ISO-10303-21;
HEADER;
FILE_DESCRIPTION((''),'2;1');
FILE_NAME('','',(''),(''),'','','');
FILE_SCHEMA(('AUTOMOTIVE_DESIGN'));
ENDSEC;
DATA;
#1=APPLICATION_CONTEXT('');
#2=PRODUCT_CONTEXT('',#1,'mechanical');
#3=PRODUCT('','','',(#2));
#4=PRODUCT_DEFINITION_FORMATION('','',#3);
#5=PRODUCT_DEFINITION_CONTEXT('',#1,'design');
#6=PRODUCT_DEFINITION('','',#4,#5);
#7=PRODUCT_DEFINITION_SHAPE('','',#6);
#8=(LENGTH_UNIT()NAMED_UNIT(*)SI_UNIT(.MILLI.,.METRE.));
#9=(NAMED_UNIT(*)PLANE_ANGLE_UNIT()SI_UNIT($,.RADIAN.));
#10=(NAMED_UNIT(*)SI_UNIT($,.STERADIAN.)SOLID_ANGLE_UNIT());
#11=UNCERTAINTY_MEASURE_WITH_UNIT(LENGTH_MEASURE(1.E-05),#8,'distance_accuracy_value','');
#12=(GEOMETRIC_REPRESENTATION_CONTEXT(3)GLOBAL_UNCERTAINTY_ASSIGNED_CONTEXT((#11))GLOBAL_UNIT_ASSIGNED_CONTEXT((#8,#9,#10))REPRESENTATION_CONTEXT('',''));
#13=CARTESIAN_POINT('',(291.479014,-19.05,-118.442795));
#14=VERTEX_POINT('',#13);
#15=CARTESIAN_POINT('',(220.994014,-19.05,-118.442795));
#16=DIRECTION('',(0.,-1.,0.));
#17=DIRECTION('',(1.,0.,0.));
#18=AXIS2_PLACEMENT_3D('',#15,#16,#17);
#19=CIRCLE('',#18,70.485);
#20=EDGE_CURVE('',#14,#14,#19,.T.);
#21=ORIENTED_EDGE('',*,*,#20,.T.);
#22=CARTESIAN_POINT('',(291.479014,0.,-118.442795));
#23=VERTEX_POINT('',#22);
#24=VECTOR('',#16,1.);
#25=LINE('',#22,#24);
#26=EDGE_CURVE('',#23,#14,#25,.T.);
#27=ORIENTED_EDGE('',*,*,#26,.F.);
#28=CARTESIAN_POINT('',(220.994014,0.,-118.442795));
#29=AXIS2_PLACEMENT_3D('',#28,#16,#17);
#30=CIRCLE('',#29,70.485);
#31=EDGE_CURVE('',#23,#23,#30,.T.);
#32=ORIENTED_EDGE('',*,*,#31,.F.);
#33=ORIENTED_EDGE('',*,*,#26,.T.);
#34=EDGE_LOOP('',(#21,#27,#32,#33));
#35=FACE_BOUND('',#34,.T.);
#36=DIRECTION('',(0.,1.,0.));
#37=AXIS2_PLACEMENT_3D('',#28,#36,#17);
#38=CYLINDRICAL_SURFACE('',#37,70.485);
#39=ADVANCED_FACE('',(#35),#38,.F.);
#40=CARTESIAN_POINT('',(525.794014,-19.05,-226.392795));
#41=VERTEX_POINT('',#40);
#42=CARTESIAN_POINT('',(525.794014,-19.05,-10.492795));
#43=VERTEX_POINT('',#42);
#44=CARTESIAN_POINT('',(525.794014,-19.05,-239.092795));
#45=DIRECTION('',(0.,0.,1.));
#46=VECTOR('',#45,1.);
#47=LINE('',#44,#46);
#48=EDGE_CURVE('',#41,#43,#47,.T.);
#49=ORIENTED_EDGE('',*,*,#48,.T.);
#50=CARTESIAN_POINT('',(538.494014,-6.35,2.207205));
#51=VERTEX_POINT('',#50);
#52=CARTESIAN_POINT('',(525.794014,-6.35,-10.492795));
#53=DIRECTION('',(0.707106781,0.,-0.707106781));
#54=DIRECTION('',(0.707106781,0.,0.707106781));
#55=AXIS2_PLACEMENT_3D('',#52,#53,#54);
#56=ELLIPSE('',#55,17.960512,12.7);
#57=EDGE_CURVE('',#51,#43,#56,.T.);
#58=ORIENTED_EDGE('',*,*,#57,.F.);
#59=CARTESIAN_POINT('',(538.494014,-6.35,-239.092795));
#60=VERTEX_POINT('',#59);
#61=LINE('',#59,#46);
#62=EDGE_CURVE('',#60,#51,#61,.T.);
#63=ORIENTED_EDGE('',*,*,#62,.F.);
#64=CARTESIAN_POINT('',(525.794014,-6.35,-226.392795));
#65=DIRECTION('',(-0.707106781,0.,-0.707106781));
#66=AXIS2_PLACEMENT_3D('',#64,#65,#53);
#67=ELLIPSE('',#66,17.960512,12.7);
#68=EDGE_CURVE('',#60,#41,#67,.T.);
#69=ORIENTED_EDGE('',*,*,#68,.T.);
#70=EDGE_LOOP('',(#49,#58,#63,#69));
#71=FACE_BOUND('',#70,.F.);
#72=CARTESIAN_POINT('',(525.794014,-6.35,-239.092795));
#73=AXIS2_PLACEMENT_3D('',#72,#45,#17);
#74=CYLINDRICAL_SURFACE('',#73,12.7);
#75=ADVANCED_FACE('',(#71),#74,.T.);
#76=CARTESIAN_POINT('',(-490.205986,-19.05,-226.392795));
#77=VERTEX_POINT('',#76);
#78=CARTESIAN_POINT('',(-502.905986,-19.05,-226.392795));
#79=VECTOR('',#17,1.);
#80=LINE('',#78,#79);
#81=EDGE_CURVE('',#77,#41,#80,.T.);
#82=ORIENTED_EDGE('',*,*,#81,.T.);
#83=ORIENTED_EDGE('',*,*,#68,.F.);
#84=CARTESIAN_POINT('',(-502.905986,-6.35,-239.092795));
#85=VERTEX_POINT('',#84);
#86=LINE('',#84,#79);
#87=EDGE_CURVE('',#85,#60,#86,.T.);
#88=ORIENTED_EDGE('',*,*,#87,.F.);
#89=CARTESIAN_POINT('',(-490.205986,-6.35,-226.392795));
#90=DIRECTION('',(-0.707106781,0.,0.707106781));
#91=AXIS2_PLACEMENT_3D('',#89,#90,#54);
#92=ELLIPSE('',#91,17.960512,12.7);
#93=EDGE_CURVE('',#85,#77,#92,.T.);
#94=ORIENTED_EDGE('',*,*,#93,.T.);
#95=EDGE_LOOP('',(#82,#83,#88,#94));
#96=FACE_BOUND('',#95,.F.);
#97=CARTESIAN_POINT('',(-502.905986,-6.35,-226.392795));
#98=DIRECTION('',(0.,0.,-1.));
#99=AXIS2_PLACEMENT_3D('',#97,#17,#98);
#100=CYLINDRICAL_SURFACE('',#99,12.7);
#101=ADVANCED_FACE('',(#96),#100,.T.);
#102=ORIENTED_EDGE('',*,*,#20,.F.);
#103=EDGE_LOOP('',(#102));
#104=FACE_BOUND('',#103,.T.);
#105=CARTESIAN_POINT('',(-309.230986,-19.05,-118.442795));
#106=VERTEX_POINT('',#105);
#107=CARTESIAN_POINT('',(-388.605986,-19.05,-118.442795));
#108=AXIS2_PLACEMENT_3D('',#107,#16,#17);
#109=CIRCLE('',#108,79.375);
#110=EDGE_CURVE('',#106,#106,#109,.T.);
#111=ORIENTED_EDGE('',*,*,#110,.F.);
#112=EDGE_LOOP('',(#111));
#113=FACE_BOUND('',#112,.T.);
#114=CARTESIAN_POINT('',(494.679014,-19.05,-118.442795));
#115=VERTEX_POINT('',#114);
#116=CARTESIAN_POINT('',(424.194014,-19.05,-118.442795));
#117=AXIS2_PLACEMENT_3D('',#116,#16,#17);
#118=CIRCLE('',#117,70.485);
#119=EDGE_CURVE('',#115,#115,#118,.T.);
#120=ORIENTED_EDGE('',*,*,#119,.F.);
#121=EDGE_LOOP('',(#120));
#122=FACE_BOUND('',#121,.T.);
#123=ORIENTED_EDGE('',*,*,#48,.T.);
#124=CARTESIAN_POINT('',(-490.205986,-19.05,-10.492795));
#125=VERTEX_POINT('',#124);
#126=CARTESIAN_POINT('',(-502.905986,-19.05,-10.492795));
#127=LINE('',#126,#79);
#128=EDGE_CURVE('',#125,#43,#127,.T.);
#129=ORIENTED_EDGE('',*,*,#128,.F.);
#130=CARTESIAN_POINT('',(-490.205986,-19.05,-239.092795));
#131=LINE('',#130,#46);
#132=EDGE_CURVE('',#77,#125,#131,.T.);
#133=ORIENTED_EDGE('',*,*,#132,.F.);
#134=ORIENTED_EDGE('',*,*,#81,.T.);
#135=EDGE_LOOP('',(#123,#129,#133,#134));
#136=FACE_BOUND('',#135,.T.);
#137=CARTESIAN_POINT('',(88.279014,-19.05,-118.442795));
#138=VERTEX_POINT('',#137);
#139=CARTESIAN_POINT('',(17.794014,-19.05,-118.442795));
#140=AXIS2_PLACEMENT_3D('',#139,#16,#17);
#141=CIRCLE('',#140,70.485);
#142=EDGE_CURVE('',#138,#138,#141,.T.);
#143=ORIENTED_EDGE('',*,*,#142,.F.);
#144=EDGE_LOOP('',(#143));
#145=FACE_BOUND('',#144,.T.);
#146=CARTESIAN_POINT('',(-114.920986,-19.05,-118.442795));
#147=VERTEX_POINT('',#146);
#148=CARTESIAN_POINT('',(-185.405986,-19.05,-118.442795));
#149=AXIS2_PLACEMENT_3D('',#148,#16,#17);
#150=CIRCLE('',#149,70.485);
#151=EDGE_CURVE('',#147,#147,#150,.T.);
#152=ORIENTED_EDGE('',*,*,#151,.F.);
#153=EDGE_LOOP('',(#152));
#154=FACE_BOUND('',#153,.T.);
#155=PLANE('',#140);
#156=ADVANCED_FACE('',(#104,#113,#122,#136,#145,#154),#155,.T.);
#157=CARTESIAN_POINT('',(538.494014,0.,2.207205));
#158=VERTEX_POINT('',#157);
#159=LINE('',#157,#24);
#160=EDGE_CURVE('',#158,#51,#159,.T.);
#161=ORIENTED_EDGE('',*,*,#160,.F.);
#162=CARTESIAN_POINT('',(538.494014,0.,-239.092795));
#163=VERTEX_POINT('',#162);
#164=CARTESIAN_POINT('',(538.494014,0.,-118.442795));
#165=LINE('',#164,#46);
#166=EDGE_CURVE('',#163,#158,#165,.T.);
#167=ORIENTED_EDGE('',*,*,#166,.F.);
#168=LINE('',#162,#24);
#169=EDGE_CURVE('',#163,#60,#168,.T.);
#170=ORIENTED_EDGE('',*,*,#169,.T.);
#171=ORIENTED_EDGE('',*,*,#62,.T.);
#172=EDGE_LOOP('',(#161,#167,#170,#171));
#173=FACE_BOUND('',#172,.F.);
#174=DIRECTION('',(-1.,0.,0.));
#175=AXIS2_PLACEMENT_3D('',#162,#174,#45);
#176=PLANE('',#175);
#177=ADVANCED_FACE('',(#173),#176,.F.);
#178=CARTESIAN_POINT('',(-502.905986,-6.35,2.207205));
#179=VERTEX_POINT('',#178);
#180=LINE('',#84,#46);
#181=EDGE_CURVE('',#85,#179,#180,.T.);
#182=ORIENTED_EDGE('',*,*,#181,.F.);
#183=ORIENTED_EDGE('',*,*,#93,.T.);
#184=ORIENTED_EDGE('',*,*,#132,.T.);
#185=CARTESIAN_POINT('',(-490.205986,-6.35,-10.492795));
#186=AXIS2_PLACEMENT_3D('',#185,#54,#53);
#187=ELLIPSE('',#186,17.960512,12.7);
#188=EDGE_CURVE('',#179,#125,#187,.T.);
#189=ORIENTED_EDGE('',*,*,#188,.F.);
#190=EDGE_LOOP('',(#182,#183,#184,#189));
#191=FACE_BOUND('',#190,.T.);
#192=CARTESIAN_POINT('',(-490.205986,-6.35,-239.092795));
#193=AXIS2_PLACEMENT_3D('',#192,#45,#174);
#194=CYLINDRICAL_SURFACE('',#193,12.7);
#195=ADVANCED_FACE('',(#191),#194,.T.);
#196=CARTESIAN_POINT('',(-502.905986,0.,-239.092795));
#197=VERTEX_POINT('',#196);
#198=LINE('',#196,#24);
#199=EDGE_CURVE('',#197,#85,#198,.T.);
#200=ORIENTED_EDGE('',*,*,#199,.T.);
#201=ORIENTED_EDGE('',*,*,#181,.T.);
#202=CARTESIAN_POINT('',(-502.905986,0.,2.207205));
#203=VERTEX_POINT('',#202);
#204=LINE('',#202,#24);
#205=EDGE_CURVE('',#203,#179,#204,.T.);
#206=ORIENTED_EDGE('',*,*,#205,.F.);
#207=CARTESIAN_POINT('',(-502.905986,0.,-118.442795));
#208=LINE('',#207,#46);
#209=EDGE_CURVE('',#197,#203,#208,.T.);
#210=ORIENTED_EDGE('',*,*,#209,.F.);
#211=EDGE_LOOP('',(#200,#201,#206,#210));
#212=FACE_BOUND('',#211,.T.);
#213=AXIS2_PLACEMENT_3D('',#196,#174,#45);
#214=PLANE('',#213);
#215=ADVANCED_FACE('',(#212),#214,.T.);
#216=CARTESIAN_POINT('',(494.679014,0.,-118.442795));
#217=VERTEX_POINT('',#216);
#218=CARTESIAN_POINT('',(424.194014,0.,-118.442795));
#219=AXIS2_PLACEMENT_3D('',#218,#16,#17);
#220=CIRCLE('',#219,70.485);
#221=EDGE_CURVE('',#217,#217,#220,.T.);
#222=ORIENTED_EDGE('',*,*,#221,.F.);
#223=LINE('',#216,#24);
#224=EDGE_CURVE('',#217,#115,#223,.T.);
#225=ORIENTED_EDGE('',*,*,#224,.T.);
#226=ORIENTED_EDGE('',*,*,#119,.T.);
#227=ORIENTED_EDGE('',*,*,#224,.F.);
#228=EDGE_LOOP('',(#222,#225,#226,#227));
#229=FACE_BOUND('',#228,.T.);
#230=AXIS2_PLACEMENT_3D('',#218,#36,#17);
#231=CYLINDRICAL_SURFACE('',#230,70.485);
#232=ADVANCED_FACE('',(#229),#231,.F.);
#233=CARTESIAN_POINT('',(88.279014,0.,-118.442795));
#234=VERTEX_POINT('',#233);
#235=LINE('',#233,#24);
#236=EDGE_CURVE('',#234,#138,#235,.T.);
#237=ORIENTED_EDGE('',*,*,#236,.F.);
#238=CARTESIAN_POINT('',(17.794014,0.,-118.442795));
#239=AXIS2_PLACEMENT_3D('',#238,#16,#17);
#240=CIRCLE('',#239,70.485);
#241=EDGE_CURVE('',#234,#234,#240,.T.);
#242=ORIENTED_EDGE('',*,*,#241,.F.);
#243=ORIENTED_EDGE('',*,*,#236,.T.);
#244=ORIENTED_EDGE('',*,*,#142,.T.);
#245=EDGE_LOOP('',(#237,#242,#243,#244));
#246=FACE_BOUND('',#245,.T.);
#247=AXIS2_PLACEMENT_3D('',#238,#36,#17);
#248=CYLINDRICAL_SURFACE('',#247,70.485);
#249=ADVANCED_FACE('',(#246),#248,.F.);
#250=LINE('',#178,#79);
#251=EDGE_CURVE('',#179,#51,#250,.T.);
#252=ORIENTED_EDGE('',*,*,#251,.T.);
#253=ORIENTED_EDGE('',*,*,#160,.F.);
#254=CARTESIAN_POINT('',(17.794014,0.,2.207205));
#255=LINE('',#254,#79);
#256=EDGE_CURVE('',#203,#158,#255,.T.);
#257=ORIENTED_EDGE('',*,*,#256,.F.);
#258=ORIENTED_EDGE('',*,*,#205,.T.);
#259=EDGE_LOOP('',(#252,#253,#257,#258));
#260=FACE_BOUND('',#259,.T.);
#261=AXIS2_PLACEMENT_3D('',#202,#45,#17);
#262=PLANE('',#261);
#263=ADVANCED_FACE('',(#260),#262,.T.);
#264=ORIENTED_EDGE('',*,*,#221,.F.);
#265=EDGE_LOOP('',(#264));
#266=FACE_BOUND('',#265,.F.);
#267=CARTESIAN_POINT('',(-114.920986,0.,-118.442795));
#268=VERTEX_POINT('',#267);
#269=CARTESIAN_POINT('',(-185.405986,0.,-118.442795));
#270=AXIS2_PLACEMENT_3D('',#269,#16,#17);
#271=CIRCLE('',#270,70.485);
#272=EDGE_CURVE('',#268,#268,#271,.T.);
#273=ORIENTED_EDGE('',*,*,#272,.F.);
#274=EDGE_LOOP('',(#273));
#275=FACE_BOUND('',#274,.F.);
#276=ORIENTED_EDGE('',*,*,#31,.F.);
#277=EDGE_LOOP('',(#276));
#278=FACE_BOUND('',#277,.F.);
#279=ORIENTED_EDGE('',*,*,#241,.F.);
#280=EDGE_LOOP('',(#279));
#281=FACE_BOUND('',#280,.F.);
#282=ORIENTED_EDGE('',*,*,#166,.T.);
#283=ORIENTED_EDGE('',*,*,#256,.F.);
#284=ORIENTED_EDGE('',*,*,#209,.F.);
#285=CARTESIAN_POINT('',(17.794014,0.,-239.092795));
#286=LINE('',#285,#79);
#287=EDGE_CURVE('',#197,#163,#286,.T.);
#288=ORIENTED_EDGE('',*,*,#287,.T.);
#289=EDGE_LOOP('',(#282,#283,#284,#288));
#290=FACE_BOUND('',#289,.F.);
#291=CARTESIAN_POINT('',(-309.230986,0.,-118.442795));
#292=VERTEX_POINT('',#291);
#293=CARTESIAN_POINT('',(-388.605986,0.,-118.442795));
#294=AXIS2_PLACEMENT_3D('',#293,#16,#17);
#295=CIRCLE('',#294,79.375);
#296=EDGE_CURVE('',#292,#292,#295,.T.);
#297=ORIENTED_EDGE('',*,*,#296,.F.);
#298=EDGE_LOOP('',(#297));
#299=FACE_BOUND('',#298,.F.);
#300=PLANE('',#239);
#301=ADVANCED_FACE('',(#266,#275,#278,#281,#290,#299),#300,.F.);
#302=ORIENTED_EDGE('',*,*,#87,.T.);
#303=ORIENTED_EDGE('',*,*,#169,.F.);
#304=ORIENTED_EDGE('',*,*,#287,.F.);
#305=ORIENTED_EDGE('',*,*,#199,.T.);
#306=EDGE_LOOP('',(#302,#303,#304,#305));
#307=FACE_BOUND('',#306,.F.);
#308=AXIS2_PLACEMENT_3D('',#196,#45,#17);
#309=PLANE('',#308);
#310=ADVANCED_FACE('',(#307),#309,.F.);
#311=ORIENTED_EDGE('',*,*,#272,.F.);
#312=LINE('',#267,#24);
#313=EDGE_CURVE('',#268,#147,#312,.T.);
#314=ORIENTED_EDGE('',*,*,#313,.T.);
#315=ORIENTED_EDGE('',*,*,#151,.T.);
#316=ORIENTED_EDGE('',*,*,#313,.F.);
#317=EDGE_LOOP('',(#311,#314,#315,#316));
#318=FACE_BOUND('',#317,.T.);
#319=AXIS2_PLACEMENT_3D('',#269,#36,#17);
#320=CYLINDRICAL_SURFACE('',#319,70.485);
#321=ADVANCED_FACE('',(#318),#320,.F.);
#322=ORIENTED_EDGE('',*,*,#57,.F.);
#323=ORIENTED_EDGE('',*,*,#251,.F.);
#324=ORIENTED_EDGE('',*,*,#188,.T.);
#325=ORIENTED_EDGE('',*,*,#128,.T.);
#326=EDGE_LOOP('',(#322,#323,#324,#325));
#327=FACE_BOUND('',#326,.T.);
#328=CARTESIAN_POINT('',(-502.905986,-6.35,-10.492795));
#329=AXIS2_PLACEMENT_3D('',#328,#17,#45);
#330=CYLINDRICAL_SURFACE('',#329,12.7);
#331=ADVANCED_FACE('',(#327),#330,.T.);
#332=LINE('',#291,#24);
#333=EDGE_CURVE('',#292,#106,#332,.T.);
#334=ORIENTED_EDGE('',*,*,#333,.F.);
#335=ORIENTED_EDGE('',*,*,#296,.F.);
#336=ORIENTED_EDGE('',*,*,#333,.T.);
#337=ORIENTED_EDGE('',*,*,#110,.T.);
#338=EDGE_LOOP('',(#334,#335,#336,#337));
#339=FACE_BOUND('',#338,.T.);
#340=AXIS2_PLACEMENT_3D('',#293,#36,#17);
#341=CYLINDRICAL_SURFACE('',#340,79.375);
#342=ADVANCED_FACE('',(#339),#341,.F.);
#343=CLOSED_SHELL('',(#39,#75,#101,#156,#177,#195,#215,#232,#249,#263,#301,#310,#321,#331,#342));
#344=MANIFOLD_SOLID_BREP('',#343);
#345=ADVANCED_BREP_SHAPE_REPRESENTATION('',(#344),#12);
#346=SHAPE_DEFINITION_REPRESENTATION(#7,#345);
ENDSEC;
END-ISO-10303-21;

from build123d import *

# Parameters (mm, degrees)
F0_W     = 1041.4
F0_H     = 241.3
F0_R     = 79.375
F0_R_2   = 70.485
F1_DEPTH = 19.05
F2_R     = 12.7


with BuildPart() as f1:
    # F0 (on Front) → F1 (new body)
    with BuildSketch(Plane.XZ):
        with Locations((17.794014, -118.442795)):
            Rectangle(F0_W, F0_H)
        with Locations((-388.605986, -118.442795)):
            Circle(F0_R, mode=Mode.SUBTRACT)
        with Locations((-185.405986, -118.442795)):
            Circle(F0_R_2, mode=Mode.SUBTRACT)
        with Locations((17.794014, -118.442795)):
            Circle(F0_R_2, mode=Mode.SUBTRACT)
        with Locations((220.994014, -118.442795)):
            Circle(F0_R_2, mode=Mode.SUBTRACT)
        with Locations((424.194014, -118.442795)):
            Circle(F0_R_2, mode=Mode.SUBTRACT)
    extrude(amount=F1_DEPTH)

    # F2
    f2_edges = [f1.edges().sort_by_distance(p)[0] for p in [
        (17.794014, -19.05, 2.207205),
        (-502.905986, -19.05, -118.442795),
        (17.794014, -19.05, -239.092795),
        (538.494014, -19.05, -118.442795),
    ]]
    fillet(f2_edges, radius=F2_R)


solid = f1.part
